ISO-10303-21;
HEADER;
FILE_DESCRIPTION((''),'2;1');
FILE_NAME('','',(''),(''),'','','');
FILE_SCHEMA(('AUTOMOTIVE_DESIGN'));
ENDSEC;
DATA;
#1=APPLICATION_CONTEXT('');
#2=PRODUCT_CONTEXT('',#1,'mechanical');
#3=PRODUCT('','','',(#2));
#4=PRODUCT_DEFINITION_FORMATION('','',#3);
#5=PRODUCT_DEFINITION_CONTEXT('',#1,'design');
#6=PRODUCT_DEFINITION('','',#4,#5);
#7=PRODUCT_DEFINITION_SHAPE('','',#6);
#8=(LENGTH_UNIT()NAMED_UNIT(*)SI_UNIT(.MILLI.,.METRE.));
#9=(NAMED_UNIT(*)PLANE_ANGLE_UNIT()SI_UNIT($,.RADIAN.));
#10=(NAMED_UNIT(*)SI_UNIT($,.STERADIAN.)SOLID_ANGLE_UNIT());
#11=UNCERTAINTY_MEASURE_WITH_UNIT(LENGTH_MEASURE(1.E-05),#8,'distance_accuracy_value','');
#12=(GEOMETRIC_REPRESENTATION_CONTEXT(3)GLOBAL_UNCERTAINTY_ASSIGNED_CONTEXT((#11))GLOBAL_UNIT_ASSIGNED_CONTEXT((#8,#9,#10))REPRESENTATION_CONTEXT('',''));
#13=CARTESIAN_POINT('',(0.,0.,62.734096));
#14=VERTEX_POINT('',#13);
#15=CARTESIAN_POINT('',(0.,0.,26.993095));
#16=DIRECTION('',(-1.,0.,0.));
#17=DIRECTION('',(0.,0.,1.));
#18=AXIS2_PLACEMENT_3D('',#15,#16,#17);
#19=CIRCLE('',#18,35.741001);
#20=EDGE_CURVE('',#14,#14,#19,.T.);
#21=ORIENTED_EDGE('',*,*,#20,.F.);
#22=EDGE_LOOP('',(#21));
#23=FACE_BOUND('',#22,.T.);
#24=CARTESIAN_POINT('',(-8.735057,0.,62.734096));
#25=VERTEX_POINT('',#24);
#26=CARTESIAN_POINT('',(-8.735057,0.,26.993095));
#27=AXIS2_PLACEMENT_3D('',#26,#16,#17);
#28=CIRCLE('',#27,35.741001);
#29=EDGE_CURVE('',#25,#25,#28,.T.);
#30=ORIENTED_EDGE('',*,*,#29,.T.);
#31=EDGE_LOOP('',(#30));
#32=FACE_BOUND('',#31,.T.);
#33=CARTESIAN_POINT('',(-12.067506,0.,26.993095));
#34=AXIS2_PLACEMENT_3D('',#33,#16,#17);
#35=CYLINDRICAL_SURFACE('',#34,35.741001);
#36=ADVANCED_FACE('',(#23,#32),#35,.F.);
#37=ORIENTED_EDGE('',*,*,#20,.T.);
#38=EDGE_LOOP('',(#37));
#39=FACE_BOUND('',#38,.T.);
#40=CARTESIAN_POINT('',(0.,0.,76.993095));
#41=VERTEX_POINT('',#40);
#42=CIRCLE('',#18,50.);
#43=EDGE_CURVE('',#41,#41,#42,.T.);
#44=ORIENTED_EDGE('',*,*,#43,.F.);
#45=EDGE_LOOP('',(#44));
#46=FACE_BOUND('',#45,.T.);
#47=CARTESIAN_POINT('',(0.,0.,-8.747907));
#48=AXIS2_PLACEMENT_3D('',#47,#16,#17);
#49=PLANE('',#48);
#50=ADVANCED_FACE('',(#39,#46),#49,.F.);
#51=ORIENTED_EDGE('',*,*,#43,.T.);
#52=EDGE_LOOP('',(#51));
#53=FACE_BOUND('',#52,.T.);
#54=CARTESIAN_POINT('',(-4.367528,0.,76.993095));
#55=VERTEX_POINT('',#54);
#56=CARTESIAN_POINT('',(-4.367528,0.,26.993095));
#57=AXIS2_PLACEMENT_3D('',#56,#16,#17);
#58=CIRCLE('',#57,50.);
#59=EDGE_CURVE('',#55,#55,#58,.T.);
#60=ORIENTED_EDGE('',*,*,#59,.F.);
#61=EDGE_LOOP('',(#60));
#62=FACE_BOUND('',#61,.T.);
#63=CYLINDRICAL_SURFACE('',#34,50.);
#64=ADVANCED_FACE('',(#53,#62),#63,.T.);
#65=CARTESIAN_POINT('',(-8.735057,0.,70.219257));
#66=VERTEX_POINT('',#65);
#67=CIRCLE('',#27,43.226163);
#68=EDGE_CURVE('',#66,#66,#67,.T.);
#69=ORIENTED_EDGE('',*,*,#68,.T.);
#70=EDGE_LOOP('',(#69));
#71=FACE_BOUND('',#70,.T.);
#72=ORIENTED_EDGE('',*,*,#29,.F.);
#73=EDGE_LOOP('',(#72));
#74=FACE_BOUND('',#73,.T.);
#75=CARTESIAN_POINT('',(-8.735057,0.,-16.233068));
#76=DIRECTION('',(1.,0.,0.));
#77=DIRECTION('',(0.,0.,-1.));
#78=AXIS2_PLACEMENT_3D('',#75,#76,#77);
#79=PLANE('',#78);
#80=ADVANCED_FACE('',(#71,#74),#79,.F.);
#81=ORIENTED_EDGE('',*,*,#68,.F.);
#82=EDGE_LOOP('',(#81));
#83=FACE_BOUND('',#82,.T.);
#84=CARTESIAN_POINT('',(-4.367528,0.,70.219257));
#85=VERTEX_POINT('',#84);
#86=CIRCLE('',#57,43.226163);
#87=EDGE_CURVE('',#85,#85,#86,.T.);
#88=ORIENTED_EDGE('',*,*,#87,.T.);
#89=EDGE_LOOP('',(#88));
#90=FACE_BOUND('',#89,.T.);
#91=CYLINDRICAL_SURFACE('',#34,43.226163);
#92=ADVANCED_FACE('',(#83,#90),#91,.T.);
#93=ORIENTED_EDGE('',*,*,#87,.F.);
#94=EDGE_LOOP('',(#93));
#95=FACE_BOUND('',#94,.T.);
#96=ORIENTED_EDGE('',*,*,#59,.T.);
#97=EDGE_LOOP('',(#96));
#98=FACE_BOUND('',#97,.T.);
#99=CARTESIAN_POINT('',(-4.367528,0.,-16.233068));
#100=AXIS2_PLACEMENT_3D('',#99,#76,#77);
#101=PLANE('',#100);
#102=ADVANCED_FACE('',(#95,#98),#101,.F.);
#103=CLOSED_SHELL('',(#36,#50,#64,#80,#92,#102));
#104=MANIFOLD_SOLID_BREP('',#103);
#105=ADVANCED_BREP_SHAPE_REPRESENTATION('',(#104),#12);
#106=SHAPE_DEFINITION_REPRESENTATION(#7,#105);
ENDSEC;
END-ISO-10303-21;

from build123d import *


with BuildPart() as part:
    # Sketch1 → Revolve1 (revolve)
    with BuildSketch(Plane(origin=(0, 0, 0), x_dir=(1, 0, 0), z_dir=(0, 1, 0))):
        Polygon((-8.735056791, 16.233067967), (-8.735056791, 8.747906619), (0, 8.747906619), (0, 23.006905401), (-4.367528396, 23.006905401), (-4.367528396, 16.233067967), align=None)
    revolve(axis=Axis((-12.067506203, 0, 26.993094599), (1, 0, 0)))


solid = part.part
